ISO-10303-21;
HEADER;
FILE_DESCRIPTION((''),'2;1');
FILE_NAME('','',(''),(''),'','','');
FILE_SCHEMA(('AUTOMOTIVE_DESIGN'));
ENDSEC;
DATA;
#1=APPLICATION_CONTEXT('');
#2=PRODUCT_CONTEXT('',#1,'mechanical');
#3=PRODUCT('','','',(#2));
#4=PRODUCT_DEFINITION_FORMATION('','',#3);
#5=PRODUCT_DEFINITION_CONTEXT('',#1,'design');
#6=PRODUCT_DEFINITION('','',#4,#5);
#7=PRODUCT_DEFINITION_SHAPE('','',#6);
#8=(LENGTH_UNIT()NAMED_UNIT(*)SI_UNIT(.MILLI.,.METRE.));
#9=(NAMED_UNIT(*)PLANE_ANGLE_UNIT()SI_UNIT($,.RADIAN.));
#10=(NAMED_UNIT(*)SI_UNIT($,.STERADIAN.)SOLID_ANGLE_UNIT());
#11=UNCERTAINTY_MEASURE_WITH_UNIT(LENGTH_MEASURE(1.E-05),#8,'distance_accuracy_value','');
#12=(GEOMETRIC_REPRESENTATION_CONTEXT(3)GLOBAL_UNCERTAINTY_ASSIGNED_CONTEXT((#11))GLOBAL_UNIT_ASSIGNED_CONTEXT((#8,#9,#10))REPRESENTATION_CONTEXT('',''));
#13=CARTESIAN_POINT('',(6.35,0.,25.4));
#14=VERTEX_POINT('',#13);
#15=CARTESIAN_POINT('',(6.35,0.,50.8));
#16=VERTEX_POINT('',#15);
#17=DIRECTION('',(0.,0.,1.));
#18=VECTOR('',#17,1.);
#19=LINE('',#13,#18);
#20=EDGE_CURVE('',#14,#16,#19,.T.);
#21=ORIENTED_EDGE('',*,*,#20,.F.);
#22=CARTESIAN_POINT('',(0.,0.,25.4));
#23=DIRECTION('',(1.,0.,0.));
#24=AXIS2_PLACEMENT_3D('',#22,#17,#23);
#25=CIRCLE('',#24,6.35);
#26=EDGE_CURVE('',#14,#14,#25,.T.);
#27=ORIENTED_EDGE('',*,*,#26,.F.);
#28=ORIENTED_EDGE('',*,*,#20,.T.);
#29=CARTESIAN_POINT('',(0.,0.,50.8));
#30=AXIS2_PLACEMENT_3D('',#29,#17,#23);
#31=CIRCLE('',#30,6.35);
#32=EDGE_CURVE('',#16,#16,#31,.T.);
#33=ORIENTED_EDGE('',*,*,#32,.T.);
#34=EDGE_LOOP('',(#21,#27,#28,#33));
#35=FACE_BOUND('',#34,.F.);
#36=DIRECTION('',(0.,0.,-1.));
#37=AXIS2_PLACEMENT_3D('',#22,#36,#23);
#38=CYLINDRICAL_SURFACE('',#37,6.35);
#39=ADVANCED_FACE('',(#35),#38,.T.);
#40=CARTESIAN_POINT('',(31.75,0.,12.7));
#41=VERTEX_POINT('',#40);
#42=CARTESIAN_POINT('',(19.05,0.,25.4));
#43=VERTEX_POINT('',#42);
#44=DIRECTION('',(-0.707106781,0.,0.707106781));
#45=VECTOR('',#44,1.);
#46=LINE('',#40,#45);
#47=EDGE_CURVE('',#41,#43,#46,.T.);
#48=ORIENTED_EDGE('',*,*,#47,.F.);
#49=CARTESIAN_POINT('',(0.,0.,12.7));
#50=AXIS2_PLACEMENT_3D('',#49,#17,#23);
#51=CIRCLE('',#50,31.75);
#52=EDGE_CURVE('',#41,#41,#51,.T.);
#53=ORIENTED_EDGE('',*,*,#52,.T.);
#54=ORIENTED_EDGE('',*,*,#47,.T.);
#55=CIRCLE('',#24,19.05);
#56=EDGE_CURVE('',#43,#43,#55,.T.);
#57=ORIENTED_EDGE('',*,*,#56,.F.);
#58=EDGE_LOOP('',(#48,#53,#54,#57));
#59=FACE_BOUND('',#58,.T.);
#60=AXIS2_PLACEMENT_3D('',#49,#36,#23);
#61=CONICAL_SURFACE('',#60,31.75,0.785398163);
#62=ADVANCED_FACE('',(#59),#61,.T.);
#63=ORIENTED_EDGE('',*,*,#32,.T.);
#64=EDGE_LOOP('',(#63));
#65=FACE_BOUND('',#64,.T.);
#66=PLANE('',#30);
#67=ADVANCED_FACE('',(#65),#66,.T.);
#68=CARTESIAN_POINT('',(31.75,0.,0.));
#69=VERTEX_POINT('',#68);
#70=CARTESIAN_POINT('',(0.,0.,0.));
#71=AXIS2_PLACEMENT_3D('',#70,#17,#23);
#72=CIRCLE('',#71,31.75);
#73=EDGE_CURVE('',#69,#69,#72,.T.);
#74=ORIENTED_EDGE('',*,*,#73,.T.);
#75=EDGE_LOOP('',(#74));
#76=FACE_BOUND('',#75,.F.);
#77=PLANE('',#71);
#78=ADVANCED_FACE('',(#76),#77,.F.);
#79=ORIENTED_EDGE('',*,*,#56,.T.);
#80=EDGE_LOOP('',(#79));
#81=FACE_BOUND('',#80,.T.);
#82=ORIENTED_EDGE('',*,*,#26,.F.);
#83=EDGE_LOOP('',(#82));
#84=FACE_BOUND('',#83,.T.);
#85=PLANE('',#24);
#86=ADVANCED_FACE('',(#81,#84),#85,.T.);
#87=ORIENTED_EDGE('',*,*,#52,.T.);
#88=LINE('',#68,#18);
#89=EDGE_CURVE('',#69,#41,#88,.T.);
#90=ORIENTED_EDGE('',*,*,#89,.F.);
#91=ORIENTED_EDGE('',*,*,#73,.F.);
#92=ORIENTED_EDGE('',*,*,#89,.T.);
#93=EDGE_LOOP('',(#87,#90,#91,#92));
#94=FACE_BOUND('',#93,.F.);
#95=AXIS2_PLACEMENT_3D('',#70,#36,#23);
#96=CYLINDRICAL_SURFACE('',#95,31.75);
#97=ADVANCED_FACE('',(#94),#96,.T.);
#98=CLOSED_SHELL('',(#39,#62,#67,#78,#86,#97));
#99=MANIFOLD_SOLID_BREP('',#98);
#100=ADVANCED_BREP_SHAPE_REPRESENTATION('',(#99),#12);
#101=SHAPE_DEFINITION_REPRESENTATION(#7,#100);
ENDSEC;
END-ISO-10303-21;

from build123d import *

# Parameters (mm, degrees)
F0_R     = 31.75
F1_DEPTH = 25.4
F2_SIZE  = 12.7
F3_R     = 6.35
F4_DEPTH = 25.4


with BuildPart() as f1:
    # F0 (on Top) → F1 (new body)
    with BuildSketch(Plane.XY):
        Circle(F0_R)
    extrude(amount=F1_DEPTH)

    # F2
    f2_edges = [f1.edges().sort_by_distance(p)[0] for p in [
        (-31.75, 0, 25.4),
    ]]
    chamfer(f2_edges, length=F2_SIZE)

    # F3 (on face) → F4 (join)
    with BuildSketch(Plane.XY.offset(25.4)):
        Circle(F3_R)
    extrude(amount=F4_DEPTH)


solid = f1.part
